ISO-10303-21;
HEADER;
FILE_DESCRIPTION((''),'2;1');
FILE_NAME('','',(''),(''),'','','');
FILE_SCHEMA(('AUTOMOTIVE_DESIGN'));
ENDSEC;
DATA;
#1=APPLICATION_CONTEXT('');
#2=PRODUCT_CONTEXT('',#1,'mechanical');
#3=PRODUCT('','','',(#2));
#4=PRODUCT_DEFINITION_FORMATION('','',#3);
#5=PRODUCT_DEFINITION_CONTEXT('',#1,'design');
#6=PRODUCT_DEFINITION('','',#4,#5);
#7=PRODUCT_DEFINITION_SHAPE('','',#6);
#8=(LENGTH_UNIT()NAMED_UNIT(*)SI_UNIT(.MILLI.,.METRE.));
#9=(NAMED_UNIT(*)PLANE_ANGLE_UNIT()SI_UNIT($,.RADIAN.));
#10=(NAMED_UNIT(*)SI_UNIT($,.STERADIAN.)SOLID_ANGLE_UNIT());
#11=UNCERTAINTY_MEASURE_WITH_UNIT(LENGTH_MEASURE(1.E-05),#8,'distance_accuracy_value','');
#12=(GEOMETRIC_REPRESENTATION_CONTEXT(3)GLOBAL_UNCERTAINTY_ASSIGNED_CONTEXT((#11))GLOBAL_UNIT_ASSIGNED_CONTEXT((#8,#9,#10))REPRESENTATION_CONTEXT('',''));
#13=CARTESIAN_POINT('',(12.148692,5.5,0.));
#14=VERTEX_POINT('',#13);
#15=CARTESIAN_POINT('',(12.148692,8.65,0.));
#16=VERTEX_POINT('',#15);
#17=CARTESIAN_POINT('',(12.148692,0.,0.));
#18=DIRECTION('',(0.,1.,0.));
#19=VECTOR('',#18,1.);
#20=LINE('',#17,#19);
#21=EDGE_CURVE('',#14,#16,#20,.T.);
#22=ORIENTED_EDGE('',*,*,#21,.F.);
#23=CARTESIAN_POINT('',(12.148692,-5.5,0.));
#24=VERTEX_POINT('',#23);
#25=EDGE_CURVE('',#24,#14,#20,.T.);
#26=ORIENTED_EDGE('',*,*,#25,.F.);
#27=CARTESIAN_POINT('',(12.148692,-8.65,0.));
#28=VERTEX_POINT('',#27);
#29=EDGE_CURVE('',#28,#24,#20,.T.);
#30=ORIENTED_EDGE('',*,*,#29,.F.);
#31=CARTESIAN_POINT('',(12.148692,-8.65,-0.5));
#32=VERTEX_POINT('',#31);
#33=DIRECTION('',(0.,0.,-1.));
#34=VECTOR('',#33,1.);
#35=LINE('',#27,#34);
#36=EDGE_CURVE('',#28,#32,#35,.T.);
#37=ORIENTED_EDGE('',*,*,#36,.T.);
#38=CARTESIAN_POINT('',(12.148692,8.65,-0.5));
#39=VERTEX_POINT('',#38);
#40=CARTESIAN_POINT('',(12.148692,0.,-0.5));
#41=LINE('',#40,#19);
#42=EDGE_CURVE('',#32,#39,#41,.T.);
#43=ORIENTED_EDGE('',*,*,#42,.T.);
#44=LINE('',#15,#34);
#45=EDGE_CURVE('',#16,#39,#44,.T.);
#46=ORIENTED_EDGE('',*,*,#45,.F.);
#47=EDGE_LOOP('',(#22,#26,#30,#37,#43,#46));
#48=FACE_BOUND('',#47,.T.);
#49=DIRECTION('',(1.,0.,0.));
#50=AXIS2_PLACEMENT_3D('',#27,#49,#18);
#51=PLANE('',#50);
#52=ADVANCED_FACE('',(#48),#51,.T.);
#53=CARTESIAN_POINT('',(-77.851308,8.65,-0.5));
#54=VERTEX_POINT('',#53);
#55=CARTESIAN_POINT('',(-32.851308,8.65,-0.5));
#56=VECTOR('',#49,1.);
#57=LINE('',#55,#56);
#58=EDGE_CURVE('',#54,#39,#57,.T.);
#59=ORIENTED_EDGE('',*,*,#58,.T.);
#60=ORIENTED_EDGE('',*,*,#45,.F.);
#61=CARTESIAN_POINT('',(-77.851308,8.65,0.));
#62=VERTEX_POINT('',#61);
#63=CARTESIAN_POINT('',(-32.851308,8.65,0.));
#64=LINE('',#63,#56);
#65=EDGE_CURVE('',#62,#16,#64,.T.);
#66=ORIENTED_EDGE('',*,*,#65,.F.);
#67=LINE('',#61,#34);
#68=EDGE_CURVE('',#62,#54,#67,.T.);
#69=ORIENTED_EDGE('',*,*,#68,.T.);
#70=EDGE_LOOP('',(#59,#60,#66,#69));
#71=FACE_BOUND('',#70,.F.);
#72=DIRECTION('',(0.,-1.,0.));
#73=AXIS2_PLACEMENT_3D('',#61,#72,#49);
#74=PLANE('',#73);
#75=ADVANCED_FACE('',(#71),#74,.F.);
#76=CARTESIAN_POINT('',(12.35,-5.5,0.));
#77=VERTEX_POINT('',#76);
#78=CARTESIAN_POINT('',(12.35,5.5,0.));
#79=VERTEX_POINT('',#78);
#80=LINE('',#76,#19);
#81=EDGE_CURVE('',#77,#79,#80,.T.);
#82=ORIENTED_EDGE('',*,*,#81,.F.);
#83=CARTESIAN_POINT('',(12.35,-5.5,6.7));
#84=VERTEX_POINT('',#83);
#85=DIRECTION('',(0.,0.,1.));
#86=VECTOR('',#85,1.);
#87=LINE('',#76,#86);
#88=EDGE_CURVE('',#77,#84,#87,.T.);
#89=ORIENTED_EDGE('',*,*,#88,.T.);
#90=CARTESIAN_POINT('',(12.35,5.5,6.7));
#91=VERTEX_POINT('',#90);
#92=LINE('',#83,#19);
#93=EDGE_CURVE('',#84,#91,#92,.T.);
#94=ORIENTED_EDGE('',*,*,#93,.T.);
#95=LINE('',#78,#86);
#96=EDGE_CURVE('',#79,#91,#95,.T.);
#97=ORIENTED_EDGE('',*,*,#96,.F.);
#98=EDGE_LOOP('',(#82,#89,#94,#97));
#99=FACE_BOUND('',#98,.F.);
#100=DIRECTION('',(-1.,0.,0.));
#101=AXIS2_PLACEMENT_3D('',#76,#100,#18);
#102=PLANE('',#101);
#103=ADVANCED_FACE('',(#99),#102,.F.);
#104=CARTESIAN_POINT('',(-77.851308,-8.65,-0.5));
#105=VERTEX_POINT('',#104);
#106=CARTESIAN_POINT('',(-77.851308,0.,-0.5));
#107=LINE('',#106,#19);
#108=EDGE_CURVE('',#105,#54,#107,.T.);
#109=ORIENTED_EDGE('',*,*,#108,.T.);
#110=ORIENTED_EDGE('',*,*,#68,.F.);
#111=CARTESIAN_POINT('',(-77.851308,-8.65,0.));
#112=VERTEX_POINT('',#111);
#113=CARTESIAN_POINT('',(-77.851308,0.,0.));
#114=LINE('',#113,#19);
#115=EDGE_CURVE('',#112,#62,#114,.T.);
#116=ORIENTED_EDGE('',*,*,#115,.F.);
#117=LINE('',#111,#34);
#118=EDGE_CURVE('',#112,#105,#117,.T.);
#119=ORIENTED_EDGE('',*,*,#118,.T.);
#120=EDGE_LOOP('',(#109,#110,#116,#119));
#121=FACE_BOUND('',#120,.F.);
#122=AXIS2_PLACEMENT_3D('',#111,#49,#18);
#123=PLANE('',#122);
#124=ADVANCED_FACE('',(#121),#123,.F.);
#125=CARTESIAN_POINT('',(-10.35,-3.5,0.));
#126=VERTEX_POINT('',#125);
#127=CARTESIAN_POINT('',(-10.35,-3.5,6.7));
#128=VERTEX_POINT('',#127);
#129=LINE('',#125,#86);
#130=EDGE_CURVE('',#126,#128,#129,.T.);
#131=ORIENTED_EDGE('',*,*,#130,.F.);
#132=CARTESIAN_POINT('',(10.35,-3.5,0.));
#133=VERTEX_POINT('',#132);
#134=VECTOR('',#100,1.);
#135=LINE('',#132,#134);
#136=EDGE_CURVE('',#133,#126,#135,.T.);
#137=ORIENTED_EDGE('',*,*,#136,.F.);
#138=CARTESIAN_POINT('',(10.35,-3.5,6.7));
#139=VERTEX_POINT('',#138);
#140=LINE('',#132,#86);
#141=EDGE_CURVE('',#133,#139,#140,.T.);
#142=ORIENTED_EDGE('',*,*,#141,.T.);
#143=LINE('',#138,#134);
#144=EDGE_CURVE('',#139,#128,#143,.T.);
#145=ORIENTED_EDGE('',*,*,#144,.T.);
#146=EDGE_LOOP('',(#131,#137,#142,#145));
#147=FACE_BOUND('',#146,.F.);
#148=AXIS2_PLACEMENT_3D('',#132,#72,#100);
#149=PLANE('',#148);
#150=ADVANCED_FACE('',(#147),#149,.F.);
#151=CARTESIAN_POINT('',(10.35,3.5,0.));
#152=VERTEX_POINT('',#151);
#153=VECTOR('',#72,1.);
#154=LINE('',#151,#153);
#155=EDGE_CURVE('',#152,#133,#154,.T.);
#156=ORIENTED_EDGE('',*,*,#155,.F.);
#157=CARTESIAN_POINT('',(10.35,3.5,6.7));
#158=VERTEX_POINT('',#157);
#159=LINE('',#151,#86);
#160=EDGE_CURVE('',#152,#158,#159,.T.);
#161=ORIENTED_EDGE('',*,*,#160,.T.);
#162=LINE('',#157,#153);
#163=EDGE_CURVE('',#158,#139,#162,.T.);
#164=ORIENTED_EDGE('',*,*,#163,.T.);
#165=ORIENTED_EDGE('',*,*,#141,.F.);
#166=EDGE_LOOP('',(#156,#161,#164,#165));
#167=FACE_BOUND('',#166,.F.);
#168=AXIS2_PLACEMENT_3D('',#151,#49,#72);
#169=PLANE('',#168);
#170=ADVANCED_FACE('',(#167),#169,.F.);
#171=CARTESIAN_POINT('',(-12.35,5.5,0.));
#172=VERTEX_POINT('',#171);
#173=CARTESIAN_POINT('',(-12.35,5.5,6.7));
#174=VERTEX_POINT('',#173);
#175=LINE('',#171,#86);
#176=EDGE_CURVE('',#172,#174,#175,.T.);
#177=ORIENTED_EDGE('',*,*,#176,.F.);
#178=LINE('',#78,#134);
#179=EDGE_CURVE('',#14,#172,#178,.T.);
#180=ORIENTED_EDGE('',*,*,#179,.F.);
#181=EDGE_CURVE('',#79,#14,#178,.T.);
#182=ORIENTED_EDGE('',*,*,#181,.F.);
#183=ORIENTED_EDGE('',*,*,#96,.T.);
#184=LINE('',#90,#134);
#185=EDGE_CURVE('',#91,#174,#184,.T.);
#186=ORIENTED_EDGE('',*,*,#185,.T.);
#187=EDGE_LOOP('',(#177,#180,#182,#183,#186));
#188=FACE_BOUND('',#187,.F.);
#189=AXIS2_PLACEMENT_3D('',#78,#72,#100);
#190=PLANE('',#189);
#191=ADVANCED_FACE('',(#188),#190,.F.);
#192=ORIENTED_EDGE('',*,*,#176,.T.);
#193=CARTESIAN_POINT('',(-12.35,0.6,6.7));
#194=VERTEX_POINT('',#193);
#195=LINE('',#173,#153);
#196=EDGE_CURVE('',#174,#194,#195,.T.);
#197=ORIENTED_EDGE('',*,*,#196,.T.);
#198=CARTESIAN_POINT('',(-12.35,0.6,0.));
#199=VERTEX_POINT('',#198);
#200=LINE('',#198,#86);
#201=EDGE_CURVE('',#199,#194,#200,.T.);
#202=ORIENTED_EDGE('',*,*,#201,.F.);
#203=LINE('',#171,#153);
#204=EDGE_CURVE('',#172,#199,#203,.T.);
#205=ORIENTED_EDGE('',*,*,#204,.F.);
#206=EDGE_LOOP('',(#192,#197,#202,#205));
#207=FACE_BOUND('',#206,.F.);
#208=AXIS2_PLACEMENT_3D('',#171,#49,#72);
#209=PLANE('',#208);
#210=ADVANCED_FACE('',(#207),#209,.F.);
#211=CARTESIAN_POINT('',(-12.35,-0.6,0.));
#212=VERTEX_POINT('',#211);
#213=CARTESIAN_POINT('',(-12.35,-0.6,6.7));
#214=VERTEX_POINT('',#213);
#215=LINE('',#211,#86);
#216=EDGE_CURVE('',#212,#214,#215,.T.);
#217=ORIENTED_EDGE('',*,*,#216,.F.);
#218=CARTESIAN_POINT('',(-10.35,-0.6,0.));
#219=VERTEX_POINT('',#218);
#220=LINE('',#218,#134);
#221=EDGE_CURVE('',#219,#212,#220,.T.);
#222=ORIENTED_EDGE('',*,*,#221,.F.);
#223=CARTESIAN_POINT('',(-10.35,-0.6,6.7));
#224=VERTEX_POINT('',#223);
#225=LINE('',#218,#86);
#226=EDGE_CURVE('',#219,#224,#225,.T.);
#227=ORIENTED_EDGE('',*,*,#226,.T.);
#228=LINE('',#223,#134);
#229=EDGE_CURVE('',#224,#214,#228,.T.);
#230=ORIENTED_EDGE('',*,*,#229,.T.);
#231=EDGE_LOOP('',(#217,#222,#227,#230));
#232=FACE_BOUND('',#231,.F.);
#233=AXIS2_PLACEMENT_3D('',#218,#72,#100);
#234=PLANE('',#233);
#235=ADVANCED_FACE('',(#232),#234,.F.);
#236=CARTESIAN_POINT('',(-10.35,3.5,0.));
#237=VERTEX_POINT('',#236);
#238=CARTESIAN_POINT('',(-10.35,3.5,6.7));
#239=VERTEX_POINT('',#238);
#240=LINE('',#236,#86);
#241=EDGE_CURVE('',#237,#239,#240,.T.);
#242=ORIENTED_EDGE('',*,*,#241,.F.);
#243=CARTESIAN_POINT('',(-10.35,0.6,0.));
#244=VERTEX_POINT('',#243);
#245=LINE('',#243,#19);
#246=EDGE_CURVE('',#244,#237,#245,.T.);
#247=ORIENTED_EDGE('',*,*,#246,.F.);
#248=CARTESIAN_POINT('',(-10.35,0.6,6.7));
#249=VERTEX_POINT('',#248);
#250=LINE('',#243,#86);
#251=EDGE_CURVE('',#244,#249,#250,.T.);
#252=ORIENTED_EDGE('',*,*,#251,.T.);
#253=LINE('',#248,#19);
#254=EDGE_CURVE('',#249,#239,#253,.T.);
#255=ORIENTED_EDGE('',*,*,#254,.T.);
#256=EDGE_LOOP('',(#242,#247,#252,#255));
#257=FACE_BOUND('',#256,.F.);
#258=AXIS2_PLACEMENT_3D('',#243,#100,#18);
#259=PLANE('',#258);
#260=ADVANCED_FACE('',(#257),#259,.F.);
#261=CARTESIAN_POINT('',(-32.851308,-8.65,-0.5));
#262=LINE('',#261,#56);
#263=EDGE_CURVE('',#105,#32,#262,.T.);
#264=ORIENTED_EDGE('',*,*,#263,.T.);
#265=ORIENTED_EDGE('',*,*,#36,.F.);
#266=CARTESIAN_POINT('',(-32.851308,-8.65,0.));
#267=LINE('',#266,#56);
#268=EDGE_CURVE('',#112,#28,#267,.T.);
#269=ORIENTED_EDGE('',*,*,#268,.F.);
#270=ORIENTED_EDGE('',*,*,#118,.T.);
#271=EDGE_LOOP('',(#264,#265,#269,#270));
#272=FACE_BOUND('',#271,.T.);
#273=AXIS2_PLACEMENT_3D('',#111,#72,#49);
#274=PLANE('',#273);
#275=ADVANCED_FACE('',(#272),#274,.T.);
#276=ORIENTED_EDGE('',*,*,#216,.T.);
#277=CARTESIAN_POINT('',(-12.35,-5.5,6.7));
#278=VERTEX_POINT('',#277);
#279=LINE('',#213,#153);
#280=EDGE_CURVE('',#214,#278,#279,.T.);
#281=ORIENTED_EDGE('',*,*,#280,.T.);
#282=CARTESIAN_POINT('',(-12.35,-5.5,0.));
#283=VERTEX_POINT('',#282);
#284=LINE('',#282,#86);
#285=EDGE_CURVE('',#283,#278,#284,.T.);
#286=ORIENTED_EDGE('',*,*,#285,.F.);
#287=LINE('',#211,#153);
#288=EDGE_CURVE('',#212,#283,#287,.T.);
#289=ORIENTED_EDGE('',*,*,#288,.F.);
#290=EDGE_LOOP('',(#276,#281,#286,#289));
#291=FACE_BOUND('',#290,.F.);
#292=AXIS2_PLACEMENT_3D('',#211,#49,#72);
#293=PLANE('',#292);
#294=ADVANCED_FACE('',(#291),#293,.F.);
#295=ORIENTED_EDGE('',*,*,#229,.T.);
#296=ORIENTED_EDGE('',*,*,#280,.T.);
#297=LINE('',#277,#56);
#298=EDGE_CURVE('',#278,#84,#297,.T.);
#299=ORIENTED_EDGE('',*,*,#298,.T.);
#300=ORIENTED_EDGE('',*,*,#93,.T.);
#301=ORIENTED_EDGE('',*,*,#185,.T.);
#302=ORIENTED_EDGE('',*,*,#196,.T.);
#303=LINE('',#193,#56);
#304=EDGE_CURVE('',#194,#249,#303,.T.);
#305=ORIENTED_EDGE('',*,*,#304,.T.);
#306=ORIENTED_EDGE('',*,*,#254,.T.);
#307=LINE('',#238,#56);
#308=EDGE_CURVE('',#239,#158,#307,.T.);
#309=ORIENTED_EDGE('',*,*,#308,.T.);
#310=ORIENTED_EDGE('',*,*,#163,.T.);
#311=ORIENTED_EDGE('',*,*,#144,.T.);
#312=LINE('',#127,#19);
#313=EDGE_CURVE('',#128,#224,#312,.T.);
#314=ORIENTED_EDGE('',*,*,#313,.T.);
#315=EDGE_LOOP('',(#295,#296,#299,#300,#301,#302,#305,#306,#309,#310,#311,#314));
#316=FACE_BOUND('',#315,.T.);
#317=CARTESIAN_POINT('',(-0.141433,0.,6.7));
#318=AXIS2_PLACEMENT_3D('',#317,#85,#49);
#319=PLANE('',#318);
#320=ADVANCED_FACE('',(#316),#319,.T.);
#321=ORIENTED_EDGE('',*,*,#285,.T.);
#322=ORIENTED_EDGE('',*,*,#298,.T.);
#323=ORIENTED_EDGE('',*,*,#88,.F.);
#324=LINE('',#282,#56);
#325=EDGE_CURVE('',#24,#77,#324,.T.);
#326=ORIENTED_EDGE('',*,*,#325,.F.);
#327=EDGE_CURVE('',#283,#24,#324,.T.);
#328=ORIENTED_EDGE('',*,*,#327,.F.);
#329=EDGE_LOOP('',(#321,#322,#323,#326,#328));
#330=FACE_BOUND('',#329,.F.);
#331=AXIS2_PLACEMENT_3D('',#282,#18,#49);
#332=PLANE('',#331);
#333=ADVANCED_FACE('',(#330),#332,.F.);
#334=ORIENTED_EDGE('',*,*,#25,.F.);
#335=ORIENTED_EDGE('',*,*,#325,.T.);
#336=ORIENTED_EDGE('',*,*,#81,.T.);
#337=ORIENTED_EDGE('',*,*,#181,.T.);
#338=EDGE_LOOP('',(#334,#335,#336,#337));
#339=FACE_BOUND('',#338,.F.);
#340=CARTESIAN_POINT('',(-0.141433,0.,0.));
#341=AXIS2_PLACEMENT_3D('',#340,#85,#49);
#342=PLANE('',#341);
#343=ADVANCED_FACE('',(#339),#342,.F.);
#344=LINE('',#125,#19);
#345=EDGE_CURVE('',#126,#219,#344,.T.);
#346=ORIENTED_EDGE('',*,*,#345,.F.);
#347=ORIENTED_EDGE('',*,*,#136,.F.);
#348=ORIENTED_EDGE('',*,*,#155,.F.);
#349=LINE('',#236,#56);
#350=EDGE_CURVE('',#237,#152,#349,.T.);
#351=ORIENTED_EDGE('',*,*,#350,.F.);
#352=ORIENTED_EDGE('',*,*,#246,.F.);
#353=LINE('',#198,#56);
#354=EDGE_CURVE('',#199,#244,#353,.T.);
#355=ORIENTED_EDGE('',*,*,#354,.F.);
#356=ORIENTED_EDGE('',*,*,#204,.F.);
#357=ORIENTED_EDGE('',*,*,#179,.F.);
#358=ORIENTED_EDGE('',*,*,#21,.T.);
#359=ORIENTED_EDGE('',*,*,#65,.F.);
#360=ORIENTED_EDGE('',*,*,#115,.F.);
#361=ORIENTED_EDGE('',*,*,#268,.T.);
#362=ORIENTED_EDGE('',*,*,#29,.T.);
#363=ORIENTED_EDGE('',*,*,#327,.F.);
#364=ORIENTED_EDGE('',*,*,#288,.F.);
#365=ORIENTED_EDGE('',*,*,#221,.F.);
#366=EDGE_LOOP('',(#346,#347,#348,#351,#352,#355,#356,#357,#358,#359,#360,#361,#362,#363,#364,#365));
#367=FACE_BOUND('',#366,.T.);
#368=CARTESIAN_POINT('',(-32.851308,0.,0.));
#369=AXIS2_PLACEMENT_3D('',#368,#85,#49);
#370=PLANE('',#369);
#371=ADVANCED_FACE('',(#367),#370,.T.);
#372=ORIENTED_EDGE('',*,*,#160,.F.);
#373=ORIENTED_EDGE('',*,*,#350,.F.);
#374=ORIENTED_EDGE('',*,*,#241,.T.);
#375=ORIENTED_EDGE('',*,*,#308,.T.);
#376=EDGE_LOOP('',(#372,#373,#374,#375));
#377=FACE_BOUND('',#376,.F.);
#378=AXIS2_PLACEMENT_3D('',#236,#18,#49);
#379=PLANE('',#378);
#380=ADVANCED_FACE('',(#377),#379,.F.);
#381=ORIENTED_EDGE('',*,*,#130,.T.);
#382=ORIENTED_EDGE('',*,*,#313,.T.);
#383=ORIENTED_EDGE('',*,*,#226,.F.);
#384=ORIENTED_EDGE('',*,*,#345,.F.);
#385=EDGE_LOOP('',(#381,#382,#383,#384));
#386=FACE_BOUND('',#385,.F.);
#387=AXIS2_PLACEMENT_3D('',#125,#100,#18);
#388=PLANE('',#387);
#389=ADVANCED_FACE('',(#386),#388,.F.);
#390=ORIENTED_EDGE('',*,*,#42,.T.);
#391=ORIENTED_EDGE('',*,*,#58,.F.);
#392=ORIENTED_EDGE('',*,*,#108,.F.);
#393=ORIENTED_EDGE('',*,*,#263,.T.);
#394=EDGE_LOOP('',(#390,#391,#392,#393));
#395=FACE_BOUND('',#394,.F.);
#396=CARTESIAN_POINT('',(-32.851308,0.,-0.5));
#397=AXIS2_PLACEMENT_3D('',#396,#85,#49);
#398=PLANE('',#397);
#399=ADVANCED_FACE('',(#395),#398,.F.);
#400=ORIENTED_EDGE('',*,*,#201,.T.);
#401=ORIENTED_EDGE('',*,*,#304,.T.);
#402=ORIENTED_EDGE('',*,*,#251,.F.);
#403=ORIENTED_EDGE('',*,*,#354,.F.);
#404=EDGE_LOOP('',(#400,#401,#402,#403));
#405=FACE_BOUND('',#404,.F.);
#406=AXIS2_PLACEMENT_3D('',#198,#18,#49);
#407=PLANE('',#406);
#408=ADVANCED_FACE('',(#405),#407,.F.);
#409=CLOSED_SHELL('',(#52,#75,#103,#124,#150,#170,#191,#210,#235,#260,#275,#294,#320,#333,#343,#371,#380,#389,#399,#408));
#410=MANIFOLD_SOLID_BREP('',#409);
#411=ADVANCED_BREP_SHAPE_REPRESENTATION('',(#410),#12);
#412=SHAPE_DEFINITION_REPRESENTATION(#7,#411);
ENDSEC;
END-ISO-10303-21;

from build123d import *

# Parameters (mm, degrees)
PAD_DEPTH    = 6.7
SKETCH001_W  = 90
SKETCH001_H  = 17.3
PAD001_DEPTH = 0.5


with BuildPart() as part:
    # Sketch (on Sketch) → Pad (new body)
    with BuildSketch(Plane.XY):
        Polygon((-10.35, 3.5), (10.35, 3.5), (10.35, -3.5), (-10.35, -3.5), (-10.35, -0.6), (-12.35, -0.6), (-12.35, -5.5), (12.35, -5.5), (12.35, 5.5), (-12.35, 5.5), (-12.35, 0.6), (-10.35, 0.6), align=None)
    extrude(amount=PAD_DEPTH)

    # Sketch001 → Pad001 (join)
    with BuildSketch(Plane.XY):
        with Locations((-32.851308, 0)):
            Rectangle(SKETCH001_W, SKETCH001_H)
    extrude(amount=-PAD001_DEPTH)


solid = part.part
